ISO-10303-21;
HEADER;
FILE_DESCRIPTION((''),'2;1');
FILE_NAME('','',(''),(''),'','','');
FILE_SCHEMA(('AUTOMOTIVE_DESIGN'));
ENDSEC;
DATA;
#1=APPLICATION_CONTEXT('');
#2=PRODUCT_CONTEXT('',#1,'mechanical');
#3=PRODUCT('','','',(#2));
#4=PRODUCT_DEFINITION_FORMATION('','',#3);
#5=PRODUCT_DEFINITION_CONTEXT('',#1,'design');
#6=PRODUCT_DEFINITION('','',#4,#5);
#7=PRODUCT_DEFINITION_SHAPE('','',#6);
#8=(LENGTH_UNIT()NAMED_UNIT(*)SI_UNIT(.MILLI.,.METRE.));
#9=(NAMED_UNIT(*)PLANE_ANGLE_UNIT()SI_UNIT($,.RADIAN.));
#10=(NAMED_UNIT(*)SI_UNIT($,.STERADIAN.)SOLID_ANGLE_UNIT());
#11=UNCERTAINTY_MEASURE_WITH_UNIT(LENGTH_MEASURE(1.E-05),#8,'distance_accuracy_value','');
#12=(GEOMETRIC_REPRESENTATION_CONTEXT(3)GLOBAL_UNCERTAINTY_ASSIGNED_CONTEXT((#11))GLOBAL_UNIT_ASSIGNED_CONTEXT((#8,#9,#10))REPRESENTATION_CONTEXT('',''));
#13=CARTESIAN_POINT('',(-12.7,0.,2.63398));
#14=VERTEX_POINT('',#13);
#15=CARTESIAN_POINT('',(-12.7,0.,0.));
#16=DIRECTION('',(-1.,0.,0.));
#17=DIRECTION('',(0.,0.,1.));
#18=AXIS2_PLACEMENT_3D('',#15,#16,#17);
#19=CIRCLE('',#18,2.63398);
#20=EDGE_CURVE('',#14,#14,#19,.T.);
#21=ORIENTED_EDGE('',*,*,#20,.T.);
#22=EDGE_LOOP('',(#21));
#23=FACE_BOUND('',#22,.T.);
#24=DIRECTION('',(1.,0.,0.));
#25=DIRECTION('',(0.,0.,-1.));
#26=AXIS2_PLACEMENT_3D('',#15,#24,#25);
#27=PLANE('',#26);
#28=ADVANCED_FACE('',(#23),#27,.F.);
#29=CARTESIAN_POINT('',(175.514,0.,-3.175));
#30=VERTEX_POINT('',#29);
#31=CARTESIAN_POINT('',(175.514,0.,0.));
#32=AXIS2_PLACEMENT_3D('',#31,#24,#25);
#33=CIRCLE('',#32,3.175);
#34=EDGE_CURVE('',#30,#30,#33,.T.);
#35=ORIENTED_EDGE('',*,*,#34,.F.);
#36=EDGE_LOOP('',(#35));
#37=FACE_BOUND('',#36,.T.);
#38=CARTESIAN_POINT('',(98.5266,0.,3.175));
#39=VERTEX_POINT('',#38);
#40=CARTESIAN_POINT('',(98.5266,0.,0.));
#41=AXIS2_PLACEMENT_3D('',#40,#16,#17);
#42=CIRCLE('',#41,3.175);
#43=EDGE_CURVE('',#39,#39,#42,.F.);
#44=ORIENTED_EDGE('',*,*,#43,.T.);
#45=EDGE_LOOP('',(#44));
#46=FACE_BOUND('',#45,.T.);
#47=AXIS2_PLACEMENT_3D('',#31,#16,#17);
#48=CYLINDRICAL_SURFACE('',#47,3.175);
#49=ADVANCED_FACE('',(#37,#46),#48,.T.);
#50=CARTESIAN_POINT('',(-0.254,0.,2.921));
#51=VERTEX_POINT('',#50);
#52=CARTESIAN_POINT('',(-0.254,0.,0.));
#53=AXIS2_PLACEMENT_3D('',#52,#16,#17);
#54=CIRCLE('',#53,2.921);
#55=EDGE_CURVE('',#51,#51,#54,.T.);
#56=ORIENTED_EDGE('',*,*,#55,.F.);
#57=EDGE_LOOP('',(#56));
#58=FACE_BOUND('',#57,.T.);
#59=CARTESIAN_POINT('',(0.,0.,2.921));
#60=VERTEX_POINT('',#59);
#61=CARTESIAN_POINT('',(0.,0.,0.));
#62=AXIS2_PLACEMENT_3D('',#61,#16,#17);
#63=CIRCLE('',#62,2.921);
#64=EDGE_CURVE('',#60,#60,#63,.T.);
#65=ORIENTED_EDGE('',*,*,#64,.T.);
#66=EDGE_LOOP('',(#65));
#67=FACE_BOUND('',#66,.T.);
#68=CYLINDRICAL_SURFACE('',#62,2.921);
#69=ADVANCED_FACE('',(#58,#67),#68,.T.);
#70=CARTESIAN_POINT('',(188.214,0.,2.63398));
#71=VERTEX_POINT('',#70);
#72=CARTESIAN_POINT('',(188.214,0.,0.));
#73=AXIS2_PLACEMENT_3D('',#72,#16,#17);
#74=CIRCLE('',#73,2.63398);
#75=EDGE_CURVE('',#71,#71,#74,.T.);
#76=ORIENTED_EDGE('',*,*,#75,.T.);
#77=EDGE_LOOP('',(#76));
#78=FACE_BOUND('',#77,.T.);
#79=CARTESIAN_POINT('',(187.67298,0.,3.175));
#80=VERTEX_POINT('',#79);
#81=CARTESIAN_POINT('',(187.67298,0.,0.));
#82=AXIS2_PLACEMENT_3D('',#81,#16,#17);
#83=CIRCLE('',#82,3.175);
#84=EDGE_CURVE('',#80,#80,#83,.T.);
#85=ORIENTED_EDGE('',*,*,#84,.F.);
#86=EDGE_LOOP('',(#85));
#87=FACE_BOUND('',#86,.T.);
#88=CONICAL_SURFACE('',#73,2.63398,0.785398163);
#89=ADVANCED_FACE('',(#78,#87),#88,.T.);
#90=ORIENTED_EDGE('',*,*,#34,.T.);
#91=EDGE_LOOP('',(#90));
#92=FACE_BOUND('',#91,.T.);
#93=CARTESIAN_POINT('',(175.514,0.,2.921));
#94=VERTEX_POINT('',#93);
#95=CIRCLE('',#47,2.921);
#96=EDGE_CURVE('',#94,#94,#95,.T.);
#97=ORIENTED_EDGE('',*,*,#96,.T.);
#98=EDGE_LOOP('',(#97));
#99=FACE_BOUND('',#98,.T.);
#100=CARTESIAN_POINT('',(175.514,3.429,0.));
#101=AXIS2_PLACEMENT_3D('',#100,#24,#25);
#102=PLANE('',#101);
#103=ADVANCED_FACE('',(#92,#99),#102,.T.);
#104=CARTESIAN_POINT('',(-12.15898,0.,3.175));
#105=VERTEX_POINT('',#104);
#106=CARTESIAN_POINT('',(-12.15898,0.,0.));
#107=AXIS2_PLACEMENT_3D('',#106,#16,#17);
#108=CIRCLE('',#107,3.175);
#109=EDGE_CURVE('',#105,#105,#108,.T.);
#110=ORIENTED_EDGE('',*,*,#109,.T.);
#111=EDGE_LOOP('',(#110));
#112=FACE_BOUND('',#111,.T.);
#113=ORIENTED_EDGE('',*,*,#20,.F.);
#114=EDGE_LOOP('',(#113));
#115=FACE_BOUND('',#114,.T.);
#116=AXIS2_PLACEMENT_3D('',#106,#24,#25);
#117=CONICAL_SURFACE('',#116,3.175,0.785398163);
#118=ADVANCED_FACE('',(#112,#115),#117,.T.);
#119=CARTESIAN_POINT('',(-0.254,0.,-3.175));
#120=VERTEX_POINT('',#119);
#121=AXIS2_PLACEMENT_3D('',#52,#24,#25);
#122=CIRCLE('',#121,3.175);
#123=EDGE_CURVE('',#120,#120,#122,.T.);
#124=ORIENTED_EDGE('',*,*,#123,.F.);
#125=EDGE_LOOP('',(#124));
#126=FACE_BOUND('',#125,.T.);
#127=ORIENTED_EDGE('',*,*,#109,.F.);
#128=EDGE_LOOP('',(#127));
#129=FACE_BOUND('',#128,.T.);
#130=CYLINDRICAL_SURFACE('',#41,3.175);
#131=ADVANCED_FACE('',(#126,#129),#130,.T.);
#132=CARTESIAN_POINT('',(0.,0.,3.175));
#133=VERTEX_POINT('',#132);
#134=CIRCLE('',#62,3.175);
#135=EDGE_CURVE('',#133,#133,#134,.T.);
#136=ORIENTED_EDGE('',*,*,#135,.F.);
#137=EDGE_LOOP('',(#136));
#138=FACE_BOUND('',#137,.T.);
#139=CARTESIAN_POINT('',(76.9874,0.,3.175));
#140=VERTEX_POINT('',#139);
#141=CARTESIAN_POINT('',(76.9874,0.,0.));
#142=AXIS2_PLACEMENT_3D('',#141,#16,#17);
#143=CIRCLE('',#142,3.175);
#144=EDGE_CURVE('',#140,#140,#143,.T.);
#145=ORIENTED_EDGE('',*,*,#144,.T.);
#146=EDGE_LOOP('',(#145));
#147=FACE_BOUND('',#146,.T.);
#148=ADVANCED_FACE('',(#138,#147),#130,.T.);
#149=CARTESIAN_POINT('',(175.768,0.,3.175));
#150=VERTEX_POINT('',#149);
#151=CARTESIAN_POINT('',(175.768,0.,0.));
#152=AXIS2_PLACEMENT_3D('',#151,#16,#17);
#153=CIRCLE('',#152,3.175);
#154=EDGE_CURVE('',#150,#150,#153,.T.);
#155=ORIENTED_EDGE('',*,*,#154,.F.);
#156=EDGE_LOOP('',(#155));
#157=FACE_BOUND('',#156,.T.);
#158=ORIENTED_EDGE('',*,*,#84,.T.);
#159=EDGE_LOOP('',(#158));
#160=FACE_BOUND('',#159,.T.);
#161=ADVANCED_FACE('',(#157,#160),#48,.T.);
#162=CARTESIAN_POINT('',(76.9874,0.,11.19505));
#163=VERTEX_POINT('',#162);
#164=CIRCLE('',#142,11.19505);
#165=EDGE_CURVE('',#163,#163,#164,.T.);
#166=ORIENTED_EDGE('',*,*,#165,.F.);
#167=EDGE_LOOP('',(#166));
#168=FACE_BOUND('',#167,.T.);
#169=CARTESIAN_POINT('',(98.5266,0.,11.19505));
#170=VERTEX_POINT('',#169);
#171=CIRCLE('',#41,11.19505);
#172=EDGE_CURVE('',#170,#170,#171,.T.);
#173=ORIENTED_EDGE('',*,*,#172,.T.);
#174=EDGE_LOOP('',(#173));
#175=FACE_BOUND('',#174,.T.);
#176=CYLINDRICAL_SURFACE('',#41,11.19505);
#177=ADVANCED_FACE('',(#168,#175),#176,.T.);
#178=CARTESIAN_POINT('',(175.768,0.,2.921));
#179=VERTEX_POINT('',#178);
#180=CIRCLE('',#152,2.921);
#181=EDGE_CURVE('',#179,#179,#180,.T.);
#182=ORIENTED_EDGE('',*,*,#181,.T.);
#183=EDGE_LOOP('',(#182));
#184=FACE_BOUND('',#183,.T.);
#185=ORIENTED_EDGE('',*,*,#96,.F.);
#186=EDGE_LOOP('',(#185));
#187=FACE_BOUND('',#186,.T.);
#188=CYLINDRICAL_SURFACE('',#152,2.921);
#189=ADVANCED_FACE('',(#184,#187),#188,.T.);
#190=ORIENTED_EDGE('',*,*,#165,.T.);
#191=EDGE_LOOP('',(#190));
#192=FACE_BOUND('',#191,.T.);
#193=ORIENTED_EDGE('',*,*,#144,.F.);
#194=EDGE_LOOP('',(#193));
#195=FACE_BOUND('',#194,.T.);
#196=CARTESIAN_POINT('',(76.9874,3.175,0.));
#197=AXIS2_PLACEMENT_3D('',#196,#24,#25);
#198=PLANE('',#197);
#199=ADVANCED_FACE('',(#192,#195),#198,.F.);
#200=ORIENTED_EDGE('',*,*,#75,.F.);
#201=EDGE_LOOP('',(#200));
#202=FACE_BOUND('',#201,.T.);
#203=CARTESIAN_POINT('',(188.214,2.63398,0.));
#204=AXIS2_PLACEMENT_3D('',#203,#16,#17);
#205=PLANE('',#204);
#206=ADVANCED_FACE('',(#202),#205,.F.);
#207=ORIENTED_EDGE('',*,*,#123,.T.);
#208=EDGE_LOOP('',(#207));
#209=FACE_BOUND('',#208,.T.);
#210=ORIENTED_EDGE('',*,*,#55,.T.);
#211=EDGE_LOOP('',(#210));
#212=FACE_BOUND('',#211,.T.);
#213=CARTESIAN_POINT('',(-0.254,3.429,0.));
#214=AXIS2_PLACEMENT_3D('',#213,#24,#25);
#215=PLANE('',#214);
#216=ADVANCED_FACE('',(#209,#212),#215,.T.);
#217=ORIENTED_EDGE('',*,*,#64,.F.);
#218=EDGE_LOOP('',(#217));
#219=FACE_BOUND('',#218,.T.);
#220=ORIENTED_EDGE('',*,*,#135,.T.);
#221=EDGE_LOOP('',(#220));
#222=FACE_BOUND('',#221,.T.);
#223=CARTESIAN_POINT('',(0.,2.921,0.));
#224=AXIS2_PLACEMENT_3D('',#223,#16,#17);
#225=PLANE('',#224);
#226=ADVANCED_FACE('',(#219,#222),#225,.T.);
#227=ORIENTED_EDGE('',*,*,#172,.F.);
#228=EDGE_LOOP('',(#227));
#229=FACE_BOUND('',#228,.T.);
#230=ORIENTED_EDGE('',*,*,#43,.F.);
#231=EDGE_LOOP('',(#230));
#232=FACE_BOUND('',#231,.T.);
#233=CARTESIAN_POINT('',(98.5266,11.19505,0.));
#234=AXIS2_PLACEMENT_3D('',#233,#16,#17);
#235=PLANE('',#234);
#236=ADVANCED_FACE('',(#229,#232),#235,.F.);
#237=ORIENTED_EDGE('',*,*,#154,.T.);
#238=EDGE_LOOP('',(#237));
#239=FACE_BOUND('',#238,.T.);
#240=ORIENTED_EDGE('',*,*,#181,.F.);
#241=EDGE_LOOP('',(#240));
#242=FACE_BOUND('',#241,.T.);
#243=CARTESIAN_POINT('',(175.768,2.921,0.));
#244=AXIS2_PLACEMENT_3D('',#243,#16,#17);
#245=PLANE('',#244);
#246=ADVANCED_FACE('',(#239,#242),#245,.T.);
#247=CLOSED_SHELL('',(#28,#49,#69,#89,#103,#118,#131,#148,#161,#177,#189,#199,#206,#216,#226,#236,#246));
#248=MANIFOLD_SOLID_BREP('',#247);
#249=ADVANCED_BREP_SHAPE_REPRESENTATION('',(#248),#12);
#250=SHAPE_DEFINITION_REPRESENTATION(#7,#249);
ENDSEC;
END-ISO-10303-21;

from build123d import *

# Parameters (mm, degrees)
SKETCH3_W = 76.9874
SKETCH3_H = 3.175
SKETCH5_W = 0.254
SKETCH5_H = 0.508
SKETCH6_W = 0.254
SKETCH6_H = 0.508


with BuildPart() as part:
    # Sketch1 → Revolve1 (revolve)
    with BuildSketch(Plane.XY):
        Polygon((0, 0), (0, 3.175), (76.9874, 3.175), (76.9874, 11.19505), (98.5266, 11.19505), (98.5266, 0), align=None)
    revolve(axis=Axis((98.5266, 0, 0), (-1, 0, 0)))

    # Sketch2 → Revolve2 (revolve)
    with BuildSketch(Plane.XY):
        Polygon((-12.7, 0), (-12.7, 2.63398), (-12.15898, 3.175), (0, 3.175), (0, 0), align=None)
    revolve(axis=Axis((0, 0, 0), (-1, 0, 0)))

    # Sketch3 → Revolve3 (revolve)
    with BuildSketch(Plane.XY):
        with Locations((137.0203, 1.5875)):
            Rectangle(SKETCH3_W, SKETCH3_H)
    revolve(axis=Axis((175.514, 0, 0), (-1, 0, 0)))

    # Sketch4 → Revolve4 (revolve)
    with BuildSketch(Plane.XY):
        Polygon((175.514, 0), (175.514, 3.175), (187.67298, 3.175), (188.214, 2.63398), (188.214, 0), align=None)
    revolve(axis=Axis((188.214, 0, 0), (-1, 0, 0)))

    # Sketch5 → Cut-Revolve1 (revolve, cut)
    with BuildSketch(Plane.XY):
        with Locations((-0.127, 3.175)):
            Rectangle(SKETCH5_W, SKETCH5_H)
    revolve(axis=Axis((0, 0, 0), (-1, 0, 0)), mode=Mode.SUBTRACT)

    # Sketch6 → Cut-Revolve2 (revolve, cut)
    with BuildSketch(Plane.XY):
        with Locations((175.641, 3.175)):
            Rectangle(SKETCH6_W, SKETCH6_H)
    revolve(axis=Axis((175.768, 0, 0), (-1, 0, 0)), mode=Mode.SUBTRACT)


solid = part.part
